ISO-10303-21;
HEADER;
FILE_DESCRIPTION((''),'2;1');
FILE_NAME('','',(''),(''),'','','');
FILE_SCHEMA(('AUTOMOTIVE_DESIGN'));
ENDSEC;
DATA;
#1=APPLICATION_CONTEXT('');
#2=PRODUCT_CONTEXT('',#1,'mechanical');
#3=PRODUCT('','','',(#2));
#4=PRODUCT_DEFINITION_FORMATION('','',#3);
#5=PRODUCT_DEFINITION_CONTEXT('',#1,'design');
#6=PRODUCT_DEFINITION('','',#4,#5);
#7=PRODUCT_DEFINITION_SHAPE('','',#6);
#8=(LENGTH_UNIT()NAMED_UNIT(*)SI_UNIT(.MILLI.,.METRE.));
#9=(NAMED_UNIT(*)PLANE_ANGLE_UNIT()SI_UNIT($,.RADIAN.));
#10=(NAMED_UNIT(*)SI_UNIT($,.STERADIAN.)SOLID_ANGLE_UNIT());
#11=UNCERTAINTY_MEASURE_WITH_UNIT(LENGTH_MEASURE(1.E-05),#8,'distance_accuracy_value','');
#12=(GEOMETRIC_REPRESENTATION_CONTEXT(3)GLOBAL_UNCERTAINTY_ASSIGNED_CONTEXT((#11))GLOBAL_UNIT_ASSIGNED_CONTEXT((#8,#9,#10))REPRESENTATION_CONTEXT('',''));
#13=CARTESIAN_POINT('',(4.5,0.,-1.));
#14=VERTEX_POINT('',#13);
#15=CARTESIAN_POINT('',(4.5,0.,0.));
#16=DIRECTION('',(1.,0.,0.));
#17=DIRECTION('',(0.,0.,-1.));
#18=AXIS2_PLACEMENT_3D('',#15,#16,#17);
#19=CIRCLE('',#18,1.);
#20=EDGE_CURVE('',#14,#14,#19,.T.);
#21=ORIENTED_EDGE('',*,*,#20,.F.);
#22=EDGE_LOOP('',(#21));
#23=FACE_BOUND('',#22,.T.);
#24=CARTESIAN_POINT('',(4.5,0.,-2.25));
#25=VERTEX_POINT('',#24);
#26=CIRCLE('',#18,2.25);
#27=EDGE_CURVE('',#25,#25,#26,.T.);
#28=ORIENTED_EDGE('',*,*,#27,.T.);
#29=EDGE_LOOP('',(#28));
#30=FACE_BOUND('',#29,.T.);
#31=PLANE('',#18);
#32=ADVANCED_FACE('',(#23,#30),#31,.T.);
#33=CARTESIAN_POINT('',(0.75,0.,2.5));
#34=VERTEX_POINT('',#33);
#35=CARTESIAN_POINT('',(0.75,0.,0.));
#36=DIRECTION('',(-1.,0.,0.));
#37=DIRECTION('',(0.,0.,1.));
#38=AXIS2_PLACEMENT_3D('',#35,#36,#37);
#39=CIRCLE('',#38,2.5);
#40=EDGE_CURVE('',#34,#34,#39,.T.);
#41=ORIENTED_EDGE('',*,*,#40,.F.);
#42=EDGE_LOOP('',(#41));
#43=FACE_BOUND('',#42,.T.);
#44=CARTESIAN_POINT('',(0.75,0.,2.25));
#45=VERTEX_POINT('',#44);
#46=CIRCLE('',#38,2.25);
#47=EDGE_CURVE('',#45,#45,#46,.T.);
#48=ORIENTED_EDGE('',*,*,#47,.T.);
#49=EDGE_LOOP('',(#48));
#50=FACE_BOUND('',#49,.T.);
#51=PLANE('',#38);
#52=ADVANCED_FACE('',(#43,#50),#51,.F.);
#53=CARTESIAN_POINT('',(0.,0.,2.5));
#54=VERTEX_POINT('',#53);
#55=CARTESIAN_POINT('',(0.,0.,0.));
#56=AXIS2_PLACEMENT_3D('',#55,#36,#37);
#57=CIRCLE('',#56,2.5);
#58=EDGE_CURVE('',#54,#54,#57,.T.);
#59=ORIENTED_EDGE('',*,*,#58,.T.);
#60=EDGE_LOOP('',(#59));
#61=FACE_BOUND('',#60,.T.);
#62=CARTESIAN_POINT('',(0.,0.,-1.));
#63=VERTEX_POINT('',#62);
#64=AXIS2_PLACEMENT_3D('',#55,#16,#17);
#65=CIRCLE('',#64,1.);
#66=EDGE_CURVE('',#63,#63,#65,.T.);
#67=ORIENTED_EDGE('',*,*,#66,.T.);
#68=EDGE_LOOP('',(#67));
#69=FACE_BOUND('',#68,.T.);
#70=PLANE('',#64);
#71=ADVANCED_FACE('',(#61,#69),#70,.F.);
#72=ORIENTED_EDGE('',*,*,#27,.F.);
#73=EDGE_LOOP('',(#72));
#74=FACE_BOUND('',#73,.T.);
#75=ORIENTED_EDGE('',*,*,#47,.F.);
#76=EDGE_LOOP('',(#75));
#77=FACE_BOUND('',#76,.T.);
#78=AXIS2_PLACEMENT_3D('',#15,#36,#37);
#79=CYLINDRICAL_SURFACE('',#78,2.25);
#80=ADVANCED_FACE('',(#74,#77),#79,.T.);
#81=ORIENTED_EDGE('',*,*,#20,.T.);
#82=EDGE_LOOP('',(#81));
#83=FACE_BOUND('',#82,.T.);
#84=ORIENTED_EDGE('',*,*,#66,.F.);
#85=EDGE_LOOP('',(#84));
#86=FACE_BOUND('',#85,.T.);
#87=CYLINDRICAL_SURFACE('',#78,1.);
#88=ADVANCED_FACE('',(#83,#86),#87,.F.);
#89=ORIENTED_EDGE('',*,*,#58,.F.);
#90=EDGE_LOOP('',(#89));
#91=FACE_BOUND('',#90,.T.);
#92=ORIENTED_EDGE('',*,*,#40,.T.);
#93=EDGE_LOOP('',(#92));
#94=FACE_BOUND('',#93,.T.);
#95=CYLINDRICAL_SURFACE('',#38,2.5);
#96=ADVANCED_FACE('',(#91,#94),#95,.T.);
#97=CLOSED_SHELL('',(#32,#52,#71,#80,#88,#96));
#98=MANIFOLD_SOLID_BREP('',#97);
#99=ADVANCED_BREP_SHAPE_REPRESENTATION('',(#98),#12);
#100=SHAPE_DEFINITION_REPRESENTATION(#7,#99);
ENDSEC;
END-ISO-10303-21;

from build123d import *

# Parameters (mm, degrees)
SKETCH1_R           = 2.25
SKETCH1_R_2         = 1
BOSS_EXTRUDE1_DEPTH = 4.5
SKETCH2_R           = 2.5
SKETCH2_R_2         = 2.25
BOSS_EXTRUDE2_DEPTH = 0.75


with BuildPart() as part:
    # Sketch1 → Boss-Extrude1 (new body)
    with BuildSketch(Plane(origin=(0, 0, 0), x_dir=(0, 0, -1), z_dir=(1, 0, 0))):
        Circle(SKETCH1_R)
        Circle(SKETCH1_R_2, mode=Mode.SUBTRACT)
    extrude(amount=BOSS_EXTRUDE1_DEPTH)

    # Sketch2 → Boss-Extrude2 (add)
    with BuildSketch(Plane.ZY):
        Circle(SKETCH2_R)
        Circle(SKETCH2_R_2, mode=Mode.SUBTRACT)
    extrude(amount=-BOSS_EXTRUDE2_DEPTH)


solid = part.part
